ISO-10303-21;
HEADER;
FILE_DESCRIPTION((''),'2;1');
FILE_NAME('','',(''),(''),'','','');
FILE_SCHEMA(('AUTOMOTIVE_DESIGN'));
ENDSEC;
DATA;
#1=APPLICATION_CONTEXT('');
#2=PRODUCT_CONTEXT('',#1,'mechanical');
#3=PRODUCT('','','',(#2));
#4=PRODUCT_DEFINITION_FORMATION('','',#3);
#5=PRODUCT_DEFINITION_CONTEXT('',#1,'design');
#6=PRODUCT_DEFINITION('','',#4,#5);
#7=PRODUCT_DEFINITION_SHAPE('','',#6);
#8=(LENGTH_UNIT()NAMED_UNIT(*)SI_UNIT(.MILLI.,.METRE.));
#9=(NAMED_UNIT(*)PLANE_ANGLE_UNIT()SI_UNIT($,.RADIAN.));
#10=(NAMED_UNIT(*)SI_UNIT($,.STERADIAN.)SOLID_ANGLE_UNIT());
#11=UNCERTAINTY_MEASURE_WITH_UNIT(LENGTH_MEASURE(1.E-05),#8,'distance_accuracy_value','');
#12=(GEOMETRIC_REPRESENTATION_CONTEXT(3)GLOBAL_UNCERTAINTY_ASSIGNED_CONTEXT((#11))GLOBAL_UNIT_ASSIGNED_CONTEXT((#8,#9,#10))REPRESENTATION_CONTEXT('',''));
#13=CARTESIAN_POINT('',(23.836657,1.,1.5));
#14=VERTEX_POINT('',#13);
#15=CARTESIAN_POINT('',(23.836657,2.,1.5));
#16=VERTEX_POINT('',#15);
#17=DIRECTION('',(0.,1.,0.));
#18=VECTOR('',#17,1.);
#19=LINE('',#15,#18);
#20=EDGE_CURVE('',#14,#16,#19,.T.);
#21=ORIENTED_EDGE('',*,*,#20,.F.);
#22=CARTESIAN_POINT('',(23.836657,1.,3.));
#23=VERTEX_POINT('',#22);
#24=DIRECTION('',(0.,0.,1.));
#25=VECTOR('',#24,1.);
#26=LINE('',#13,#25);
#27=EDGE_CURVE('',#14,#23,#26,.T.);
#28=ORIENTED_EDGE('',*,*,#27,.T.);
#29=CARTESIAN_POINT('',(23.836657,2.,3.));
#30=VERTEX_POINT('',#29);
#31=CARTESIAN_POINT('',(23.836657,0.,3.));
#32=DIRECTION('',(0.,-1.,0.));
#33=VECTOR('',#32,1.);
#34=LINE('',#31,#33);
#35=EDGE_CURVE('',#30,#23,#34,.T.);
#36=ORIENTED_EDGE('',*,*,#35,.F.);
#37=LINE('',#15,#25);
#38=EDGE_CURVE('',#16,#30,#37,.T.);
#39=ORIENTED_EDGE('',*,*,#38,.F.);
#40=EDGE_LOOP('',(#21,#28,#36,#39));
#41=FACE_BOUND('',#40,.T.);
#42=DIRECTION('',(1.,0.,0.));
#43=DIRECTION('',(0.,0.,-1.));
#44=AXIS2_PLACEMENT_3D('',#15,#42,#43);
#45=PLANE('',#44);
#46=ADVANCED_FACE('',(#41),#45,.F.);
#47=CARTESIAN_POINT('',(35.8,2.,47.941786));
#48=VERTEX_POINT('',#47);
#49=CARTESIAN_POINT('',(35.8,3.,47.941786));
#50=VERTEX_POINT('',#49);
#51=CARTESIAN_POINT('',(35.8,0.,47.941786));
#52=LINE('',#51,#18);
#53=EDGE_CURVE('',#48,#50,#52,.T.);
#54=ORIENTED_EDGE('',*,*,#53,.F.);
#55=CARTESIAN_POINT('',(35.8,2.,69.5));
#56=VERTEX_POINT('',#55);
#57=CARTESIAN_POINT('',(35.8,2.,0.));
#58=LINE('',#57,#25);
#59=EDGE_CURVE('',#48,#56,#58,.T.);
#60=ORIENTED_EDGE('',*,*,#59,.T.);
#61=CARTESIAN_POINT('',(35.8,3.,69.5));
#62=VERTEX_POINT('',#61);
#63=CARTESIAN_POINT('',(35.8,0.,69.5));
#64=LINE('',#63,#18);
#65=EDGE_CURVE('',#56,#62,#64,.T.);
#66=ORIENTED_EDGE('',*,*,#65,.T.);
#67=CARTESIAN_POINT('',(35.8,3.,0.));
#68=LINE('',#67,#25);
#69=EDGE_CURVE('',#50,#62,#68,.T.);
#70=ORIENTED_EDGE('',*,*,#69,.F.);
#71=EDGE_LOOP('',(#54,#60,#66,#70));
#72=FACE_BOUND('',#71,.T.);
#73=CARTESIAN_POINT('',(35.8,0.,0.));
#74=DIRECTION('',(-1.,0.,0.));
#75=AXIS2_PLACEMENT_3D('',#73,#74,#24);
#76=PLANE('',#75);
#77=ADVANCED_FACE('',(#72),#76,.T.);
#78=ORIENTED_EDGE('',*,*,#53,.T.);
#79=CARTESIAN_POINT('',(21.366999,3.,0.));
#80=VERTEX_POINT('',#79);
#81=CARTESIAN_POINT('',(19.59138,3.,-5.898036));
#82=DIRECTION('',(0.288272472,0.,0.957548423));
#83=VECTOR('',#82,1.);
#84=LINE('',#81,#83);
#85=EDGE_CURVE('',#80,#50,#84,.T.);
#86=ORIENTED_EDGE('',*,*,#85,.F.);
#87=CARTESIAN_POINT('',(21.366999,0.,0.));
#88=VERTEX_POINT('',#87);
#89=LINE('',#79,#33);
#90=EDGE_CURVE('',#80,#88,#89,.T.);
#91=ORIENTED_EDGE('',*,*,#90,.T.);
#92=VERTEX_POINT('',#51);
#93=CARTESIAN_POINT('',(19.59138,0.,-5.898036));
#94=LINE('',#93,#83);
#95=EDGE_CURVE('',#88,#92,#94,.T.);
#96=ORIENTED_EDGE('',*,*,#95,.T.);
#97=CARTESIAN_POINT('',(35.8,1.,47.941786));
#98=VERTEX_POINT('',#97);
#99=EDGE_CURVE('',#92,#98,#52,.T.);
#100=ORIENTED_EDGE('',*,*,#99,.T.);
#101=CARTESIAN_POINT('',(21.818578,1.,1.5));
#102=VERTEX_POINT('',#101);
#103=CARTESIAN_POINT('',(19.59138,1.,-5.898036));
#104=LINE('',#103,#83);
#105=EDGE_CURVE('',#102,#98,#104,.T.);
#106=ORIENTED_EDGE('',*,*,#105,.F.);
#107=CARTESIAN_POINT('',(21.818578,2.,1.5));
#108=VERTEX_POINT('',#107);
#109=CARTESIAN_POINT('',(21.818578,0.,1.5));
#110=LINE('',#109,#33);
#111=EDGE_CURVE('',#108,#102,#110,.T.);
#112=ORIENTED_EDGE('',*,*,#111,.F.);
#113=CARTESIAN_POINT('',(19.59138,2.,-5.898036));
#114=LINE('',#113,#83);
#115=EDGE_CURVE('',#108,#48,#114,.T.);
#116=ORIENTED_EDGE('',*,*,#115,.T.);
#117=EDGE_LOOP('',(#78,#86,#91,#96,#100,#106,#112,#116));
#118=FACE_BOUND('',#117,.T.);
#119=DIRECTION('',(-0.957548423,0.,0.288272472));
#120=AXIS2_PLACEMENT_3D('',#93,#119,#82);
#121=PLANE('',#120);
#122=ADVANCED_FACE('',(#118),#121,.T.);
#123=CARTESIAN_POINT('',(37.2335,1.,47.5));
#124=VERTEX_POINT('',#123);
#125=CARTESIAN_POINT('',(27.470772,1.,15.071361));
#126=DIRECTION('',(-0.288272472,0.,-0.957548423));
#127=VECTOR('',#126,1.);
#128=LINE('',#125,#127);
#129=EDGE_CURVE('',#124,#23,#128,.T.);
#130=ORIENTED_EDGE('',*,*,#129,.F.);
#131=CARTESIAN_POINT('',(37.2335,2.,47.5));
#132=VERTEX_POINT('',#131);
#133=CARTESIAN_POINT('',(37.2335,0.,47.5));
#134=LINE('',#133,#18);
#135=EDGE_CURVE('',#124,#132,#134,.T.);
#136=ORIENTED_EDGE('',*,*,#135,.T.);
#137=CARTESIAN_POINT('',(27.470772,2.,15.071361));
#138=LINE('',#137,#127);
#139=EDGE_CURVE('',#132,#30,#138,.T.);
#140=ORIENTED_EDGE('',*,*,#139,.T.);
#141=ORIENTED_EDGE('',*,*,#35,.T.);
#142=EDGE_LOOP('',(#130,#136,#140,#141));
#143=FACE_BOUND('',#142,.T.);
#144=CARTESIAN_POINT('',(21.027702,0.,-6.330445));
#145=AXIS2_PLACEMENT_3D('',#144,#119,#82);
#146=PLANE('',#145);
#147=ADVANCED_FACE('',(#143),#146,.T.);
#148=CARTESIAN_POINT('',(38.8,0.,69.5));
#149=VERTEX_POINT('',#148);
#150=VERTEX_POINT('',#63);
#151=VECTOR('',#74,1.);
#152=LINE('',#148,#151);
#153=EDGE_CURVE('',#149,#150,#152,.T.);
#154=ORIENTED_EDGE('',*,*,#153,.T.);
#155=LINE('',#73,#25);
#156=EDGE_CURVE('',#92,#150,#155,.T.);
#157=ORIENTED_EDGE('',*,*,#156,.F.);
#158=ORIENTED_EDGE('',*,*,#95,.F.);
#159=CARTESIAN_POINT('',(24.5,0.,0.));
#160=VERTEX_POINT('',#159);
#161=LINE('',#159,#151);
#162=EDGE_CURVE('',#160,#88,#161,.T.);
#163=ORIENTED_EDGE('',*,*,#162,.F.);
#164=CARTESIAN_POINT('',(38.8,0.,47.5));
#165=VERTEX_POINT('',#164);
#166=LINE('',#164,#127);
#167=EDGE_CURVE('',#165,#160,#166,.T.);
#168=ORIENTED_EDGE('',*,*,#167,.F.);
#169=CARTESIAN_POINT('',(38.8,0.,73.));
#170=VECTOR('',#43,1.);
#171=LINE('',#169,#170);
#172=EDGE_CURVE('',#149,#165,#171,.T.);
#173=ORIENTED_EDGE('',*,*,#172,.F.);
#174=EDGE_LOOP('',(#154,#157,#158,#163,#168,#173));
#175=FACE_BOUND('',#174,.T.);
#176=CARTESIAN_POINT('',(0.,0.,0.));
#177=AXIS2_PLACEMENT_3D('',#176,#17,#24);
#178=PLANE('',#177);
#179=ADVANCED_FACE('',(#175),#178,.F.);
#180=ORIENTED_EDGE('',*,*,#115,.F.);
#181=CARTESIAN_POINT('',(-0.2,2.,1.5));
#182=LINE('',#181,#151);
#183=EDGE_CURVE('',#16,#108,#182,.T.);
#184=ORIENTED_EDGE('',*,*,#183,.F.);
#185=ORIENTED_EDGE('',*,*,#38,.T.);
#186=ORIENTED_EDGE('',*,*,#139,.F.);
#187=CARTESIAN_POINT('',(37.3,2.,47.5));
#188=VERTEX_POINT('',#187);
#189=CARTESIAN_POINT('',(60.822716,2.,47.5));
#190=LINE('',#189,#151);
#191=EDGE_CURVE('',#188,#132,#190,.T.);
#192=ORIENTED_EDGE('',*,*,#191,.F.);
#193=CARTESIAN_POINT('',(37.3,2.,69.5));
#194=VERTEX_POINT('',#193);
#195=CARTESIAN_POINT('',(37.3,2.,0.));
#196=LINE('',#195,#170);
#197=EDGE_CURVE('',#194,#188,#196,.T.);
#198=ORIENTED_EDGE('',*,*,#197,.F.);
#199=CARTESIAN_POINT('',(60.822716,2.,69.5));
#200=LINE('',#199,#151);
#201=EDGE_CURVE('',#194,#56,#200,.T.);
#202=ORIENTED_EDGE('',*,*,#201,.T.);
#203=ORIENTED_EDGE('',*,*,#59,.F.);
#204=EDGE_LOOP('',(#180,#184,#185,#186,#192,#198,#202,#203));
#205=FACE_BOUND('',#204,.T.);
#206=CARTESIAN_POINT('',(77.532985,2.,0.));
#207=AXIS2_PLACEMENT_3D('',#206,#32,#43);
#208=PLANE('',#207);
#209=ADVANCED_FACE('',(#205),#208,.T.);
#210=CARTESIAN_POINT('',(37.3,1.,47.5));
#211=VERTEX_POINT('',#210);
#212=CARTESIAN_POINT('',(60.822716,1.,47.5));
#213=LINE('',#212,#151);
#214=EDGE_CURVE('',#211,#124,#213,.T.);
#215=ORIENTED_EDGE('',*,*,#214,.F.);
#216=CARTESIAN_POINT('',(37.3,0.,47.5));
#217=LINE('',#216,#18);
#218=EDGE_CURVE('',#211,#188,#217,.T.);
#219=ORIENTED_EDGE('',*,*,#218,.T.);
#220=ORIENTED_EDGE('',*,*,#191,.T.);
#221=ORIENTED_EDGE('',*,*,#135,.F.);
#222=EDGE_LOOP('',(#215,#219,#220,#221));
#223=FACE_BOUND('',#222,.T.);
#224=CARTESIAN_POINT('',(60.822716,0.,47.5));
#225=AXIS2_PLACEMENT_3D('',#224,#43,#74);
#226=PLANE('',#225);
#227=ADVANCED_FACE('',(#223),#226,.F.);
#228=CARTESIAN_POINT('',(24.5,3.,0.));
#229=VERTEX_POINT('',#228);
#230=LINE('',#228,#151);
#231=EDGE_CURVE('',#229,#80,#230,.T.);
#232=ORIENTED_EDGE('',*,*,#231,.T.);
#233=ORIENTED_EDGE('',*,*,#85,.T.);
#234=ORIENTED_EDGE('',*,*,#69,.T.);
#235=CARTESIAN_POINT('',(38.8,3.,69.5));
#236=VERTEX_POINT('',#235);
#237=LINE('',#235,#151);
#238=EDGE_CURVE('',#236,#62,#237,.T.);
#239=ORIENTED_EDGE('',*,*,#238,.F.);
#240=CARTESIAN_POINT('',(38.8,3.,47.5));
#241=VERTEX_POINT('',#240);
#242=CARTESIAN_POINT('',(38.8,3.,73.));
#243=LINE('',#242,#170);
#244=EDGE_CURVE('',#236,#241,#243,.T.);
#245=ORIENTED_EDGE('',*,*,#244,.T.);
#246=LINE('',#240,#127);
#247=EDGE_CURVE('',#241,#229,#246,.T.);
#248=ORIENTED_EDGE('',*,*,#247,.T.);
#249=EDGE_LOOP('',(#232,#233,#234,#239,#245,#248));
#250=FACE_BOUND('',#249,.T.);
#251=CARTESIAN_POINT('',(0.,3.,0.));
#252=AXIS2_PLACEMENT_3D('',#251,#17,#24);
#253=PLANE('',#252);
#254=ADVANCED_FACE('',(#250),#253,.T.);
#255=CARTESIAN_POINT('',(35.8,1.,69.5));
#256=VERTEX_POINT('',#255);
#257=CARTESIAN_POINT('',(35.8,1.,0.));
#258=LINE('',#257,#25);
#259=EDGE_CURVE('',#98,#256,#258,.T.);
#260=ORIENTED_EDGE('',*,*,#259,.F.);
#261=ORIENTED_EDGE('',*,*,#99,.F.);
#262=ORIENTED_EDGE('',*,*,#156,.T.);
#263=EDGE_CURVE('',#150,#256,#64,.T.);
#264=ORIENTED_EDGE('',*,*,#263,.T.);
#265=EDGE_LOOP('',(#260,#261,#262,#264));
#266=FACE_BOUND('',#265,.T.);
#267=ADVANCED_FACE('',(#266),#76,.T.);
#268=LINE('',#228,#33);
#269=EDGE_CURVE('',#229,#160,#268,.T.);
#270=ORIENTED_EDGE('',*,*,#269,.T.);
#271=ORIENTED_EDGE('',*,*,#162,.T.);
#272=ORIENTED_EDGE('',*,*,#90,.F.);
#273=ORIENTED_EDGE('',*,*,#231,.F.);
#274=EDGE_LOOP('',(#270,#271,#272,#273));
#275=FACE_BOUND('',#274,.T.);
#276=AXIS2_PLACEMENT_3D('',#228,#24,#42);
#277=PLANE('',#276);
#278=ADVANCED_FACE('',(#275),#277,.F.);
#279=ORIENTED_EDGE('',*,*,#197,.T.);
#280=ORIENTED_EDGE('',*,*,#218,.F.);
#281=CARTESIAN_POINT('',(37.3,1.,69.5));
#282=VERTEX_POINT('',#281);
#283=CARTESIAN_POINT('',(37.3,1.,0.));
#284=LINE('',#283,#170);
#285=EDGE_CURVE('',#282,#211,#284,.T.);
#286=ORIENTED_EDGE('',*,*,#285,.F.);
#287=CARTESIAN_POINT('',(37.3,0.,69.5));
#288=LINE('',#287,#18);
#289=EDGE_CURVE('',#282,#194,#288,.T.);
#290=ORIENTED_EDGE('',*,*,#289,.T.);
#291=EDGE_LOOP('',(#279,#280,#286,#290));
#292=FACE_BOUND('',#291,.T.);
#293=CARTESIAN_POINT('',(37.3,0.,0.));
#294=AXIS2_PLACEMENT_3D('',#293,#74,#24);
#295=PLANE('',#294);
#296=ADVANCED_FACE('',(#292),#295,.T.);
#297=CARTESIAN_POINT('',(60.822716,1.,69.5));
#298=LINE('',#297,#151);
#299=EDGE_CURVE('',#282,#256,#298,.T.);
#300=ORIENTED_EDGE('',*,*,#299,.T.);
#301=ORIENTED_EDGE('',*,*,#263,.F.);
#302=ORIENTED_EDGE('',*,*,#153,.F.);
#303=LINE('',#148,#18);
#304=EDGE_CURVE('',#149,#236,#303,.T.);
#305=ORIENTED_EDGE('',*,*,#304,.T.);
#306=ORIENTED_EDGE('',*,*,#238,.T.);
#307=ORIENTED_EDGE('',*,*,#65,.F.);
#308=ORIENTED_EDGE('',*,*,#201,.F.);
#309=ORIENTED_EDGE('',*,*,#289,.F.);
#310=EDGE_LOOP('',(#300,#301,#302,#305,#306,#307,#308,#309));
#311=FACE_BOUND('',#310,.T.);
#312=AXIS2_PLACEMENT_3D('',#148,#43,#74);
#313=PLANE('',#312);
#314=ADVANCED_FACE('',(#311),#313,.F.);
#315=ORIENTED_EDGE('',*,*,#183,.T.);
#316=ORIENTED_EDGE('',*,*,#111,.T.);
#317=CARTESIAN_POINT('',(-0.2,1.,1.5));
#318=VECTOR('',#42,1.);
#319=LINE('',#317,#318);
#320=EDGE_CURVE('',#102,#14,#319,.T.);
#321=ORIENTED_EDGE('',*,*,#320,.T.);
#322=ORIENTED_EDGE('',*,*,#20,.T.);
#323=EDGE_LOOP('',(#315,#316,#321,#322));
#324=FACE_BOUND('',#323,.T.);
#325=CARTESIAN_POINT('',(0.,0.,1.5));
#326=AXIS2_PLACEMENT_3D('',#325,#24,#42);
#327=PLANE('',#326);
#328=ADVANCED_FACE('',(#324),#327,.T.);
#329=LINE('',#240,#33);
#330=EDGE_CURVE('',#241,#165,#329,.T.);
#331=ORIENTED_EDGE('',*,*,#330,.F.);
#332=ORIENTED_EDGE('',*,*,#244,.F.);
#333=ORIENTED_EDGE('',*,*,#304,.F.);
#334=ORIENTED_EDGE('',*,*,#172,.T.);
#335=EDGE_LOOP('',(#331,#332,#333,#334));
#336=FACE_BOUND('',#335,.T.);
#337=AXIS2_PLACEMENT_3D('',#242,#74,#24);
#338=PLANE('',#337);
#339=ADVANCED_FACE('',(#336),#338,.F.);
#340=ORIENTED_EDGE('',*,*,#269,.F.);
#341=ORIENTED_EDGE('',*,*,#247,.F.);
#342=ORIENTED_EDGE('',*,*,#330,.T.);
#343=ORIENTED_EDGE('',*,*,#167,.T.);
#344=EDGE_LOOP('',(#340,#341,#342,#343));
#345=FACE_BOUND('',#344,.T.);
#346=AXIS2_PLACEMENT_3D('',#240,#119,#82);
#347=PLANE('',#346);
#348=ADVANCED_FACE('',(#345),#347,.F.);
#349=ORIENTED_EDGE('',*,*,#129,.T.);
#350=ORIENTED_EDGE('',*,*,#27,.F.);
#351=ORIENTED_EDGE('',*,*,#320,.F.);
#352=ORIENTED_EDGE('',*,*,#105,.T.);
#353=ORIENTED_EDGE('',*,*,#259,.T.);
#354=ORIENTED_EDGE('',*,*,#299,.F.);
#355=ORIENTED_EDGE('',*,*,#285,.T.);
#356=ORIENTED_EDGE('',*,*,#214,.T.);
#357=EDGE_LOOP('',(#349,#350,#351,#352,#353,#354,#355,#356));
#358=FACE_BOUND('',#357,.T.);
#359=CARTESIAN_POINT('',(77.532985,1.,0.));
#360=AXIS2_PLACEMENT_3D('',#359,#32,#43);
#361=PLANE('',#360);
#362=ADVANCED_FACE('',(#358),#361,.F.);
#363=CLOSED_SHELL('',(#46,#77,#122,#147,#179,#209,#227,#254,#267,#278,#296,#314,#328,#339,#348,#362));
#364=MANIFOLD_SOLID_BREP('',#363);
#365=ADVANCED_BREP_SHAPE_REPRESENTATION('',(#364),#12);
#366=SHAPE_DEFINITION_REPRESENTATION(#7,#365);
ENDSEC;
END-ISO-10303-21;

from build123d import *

# Parameters (mm, degrees)
EXTRUDE_1_DEPTH                   = 3
SKETCH_2_R                        = 1.5
SKETCH_2_R_2                      = 0.75
EXTRUDE_2_DEPTH                   = 73
SKETCH_3_W                        = 42
SKETCH_3_H                        = 3.5
SKETCH_3_W_2                      = 3.2
SKETCH_3_H_2                      = 20.2
CUT_EXTRUDE_1_DEPTH               = 83.725086884
CUT_EXTRUDE_2_REACH               = 84.028
CUT_EXTRUDE_2_OFFSET_FROM_SURFACE = 1.5
CUT_EXTRUDE_START                 = -1.5
SKETCH_4_W                        = 44.5
SKETCH_4_H                        = 1
SKETCH_4_3_W                      = 22
SKETCH_4_3_H                      = 1
CUT_EXTRUDE_3_DEPTH               = 37.5
SKETCH_5_W                        = 3
SKETCH_5_H                        = 1
EXTRUDE_3_DEPTH                   = 34.5
SKETCH_6_R                        = 0.35
CUT_EXTRUDE_4_DEPTH               = 80.653562381
SKETCH_7_W                        = 24.036657481
SKETCH_7_H                        = 1
CUT_EXTRUDE_5_DEPTH               = 1.5
SKETCH_8_OUTSIDE_W                = 60.252
SKETCH_8_OUTSIDE_H                = 87.752
CUT_EXTRUDE_6_DEPTH               = 80.653562381


with BuildPart() as part:
    # 草图1 → 凸台-拉伸1 (new body)
    with BuildSketch(Plane(origin=(0, 0, 0), x_dir=(1, 0, 0), z_dir=(0, 1, 0))):
        Polygon((0, 0), (0, -73), (38.8, -73), (38.8, -47.5), (24.5, 0), align=None)
    extrude(amount=EXTRUDE_1_DEPTH)

    # 草图2 → 凸台-拉伸2 (add)
    # profile 1 of 2: a face of its own
    with BuildSketch(Plane(origin=(0, 0, 0), x_dir=(-1, 0, 0), z_dir=(0, 0, -1))):
        with BuildLine():
            Line((0, 3), (0, 0))
            Line((0, 0), (1.7, 0))
            ThreePointArc((1.7, 0), (0.2, 1.5), (1.7, 3))
            Line((1.7, 3), (0, 3))
        make_face()
    # profile 2 of 2: a face of its own
    with BuildSketch(Plane(origin=(0, 0, 0), x_dir=(-1, 0, 0), z_dir=(0, 0, -1))):
        with Locations((1.7, 1.5)):
            Circle(SKETCH_2_R)
        with Locations((1.7, 1.5)):
            Circle(SKETCH_2_R_2, mode=Mode.SUBTRACT)
    extrude(amount=-EXTRUDE_2_DEPTH)

    # 草图3 → 切除-拉伸1 (cut, through all)
    with BuildSketch(Plane(origin=(0, 3, 0), x_dir=(1, 0, 0), z_dir=(0, 1, 0))):
        with Locations((17.8, -71.25)):
            Rectangle(SKETCH_3_W, SKETCH_3_H)
        with Locations((-1.6, -38.1)):
            Rectangle(SKETCH_3_W_2, SKETCH_3_H_2)
        Polygon((1.3, -3), (22.270157068, -3), (35.8, -47.941785964), (35.8, -69.5), (1.3, -69.5), align=None)
    extrude(amount=-CUT_EXTRUDE_1_DEPTH, mode=Mode.SUBTRACT)

    # 切除-拉伸2: up to this face of the body (flat: up to its plane, moved by the offset)
    cut_extrude_2_end = Plane(part.part.faces().sort_by_distance((29.035078534, 1.5, 25.470892982))[0]).offset(-CUT_EXTRUDE_2_OFFSET_FROM_SURFACE)
    # 草图4 → 切除-拉伸2 (cut, up to the picked face)
    with BuildSketch(Plane(origin=(1.3, 0, 0), x_dir=(0, 0, -1), z_dir=(1, 0, 0)).offset(CUT_EXTRUDE_START), mode=Mode.PRIVATE) as cut_extrude_2_sk1:
        with Locations((-25.25, 1.5)):
            Rectangle(SKETCH_4_W, SKETCH_4_H)
    cut_extrude_2_tool1 = split(extrude(cut_extrude_2_sk1.sketch, amount=CUT_EXTRUDE_2_REACH, mode=Mode.PRIVATE), bisect_by=cut_extrude_2_end, keep=Keep.BOTH, mode=Mode.PRIVATE)
    add(cut_extrude_2_tool1.solids().sort_by(Axis((-0.2, 1.5, 25.25), (1, 0, 0)))[0], mode=Mode.SUBTRACT)

    # 草图4<3> → 切除-拉伸3 (cut)
    with BuildSketch(Plane(origin=(1.3, 0, 0), x_dir=(0, 0, -1), z_dir=(1, 0, 0)).offset(CUT_EXTRUDE_START)):
        with Locations((-58.5, 1.5)):
            Rectangle(SKETCH_4_3_W, SKETCH_4_3_H)
    extrude(amount=CUT_EXTRUDE_3_DEPTH, mode=Mode.SUBTRACT)

    # 草图5 → 凸台-拉伸3 (add)
    with BuildSketch(Plane.ZY.offset(-35.8)):
        with Locations((49.441785964, 2.5)):
            Rectangle(SKETCH_5_W, SKETCH_5_H)
    extrude(amount=EXTRUDE_3_DEPTH)

    # 草图6 → 切除-拉伸4 (cut, through all)
    with BuildSketch(Plane(origin=(0, 3, 0), x_dir=(1, 0, 0), z_dir=(0, 1, 0))):
        with Locations(Location((32.8, -49.441785964, 0), (0, 0, 270))):
            Circle(SKETCH_6_R)
        with Locations(Location((24.9, -49.441785964, 0), (0, 0, 270))):
            Circle(SKETCH_6_R)
    extrude(amount=-CUT_EXTRUDE_4_DEPTH, mode=Mode.SUBTRACT)

    # 草图7 → 切除-拉伸5 (cut)
    with BuildSketch(Plane.XY.offset(3)):
        with Locations((11.818328741, 1.5)):
            Rectangle(SKETCH_7_W, SKETCH_7_H)
    extrude(amount=-CUT_EXTRUDE_5_DEPTH, mode=Mode.SUBTRACT)

    # 草图8 outside → 切除-拉伸6 (cut, through all)
    with BuildSketch(Plane(origin=(0, 3, 0), x_dir=(1, 0, 0), z_dir=(0, 1, 0))):
        with Locations((17.8, -34.75)):
            Rectangle(SKETCH_8_OUTSIDE_W, SKETCH_8_OUTSIDE_H)
        Polygon((20.332372981, 3.436695391), (35.8, -47.941785964), (35.8, -72.849501568), (56.307983414, -72.849501568), (56.307983414, 3.436695391), align=None, mode=Mode.SUBTRACT)
    extrude(amount=-CUT_EXTRUDE_6_DEPTH, mode=Mode.SUBTRACT)


solid = part.part
